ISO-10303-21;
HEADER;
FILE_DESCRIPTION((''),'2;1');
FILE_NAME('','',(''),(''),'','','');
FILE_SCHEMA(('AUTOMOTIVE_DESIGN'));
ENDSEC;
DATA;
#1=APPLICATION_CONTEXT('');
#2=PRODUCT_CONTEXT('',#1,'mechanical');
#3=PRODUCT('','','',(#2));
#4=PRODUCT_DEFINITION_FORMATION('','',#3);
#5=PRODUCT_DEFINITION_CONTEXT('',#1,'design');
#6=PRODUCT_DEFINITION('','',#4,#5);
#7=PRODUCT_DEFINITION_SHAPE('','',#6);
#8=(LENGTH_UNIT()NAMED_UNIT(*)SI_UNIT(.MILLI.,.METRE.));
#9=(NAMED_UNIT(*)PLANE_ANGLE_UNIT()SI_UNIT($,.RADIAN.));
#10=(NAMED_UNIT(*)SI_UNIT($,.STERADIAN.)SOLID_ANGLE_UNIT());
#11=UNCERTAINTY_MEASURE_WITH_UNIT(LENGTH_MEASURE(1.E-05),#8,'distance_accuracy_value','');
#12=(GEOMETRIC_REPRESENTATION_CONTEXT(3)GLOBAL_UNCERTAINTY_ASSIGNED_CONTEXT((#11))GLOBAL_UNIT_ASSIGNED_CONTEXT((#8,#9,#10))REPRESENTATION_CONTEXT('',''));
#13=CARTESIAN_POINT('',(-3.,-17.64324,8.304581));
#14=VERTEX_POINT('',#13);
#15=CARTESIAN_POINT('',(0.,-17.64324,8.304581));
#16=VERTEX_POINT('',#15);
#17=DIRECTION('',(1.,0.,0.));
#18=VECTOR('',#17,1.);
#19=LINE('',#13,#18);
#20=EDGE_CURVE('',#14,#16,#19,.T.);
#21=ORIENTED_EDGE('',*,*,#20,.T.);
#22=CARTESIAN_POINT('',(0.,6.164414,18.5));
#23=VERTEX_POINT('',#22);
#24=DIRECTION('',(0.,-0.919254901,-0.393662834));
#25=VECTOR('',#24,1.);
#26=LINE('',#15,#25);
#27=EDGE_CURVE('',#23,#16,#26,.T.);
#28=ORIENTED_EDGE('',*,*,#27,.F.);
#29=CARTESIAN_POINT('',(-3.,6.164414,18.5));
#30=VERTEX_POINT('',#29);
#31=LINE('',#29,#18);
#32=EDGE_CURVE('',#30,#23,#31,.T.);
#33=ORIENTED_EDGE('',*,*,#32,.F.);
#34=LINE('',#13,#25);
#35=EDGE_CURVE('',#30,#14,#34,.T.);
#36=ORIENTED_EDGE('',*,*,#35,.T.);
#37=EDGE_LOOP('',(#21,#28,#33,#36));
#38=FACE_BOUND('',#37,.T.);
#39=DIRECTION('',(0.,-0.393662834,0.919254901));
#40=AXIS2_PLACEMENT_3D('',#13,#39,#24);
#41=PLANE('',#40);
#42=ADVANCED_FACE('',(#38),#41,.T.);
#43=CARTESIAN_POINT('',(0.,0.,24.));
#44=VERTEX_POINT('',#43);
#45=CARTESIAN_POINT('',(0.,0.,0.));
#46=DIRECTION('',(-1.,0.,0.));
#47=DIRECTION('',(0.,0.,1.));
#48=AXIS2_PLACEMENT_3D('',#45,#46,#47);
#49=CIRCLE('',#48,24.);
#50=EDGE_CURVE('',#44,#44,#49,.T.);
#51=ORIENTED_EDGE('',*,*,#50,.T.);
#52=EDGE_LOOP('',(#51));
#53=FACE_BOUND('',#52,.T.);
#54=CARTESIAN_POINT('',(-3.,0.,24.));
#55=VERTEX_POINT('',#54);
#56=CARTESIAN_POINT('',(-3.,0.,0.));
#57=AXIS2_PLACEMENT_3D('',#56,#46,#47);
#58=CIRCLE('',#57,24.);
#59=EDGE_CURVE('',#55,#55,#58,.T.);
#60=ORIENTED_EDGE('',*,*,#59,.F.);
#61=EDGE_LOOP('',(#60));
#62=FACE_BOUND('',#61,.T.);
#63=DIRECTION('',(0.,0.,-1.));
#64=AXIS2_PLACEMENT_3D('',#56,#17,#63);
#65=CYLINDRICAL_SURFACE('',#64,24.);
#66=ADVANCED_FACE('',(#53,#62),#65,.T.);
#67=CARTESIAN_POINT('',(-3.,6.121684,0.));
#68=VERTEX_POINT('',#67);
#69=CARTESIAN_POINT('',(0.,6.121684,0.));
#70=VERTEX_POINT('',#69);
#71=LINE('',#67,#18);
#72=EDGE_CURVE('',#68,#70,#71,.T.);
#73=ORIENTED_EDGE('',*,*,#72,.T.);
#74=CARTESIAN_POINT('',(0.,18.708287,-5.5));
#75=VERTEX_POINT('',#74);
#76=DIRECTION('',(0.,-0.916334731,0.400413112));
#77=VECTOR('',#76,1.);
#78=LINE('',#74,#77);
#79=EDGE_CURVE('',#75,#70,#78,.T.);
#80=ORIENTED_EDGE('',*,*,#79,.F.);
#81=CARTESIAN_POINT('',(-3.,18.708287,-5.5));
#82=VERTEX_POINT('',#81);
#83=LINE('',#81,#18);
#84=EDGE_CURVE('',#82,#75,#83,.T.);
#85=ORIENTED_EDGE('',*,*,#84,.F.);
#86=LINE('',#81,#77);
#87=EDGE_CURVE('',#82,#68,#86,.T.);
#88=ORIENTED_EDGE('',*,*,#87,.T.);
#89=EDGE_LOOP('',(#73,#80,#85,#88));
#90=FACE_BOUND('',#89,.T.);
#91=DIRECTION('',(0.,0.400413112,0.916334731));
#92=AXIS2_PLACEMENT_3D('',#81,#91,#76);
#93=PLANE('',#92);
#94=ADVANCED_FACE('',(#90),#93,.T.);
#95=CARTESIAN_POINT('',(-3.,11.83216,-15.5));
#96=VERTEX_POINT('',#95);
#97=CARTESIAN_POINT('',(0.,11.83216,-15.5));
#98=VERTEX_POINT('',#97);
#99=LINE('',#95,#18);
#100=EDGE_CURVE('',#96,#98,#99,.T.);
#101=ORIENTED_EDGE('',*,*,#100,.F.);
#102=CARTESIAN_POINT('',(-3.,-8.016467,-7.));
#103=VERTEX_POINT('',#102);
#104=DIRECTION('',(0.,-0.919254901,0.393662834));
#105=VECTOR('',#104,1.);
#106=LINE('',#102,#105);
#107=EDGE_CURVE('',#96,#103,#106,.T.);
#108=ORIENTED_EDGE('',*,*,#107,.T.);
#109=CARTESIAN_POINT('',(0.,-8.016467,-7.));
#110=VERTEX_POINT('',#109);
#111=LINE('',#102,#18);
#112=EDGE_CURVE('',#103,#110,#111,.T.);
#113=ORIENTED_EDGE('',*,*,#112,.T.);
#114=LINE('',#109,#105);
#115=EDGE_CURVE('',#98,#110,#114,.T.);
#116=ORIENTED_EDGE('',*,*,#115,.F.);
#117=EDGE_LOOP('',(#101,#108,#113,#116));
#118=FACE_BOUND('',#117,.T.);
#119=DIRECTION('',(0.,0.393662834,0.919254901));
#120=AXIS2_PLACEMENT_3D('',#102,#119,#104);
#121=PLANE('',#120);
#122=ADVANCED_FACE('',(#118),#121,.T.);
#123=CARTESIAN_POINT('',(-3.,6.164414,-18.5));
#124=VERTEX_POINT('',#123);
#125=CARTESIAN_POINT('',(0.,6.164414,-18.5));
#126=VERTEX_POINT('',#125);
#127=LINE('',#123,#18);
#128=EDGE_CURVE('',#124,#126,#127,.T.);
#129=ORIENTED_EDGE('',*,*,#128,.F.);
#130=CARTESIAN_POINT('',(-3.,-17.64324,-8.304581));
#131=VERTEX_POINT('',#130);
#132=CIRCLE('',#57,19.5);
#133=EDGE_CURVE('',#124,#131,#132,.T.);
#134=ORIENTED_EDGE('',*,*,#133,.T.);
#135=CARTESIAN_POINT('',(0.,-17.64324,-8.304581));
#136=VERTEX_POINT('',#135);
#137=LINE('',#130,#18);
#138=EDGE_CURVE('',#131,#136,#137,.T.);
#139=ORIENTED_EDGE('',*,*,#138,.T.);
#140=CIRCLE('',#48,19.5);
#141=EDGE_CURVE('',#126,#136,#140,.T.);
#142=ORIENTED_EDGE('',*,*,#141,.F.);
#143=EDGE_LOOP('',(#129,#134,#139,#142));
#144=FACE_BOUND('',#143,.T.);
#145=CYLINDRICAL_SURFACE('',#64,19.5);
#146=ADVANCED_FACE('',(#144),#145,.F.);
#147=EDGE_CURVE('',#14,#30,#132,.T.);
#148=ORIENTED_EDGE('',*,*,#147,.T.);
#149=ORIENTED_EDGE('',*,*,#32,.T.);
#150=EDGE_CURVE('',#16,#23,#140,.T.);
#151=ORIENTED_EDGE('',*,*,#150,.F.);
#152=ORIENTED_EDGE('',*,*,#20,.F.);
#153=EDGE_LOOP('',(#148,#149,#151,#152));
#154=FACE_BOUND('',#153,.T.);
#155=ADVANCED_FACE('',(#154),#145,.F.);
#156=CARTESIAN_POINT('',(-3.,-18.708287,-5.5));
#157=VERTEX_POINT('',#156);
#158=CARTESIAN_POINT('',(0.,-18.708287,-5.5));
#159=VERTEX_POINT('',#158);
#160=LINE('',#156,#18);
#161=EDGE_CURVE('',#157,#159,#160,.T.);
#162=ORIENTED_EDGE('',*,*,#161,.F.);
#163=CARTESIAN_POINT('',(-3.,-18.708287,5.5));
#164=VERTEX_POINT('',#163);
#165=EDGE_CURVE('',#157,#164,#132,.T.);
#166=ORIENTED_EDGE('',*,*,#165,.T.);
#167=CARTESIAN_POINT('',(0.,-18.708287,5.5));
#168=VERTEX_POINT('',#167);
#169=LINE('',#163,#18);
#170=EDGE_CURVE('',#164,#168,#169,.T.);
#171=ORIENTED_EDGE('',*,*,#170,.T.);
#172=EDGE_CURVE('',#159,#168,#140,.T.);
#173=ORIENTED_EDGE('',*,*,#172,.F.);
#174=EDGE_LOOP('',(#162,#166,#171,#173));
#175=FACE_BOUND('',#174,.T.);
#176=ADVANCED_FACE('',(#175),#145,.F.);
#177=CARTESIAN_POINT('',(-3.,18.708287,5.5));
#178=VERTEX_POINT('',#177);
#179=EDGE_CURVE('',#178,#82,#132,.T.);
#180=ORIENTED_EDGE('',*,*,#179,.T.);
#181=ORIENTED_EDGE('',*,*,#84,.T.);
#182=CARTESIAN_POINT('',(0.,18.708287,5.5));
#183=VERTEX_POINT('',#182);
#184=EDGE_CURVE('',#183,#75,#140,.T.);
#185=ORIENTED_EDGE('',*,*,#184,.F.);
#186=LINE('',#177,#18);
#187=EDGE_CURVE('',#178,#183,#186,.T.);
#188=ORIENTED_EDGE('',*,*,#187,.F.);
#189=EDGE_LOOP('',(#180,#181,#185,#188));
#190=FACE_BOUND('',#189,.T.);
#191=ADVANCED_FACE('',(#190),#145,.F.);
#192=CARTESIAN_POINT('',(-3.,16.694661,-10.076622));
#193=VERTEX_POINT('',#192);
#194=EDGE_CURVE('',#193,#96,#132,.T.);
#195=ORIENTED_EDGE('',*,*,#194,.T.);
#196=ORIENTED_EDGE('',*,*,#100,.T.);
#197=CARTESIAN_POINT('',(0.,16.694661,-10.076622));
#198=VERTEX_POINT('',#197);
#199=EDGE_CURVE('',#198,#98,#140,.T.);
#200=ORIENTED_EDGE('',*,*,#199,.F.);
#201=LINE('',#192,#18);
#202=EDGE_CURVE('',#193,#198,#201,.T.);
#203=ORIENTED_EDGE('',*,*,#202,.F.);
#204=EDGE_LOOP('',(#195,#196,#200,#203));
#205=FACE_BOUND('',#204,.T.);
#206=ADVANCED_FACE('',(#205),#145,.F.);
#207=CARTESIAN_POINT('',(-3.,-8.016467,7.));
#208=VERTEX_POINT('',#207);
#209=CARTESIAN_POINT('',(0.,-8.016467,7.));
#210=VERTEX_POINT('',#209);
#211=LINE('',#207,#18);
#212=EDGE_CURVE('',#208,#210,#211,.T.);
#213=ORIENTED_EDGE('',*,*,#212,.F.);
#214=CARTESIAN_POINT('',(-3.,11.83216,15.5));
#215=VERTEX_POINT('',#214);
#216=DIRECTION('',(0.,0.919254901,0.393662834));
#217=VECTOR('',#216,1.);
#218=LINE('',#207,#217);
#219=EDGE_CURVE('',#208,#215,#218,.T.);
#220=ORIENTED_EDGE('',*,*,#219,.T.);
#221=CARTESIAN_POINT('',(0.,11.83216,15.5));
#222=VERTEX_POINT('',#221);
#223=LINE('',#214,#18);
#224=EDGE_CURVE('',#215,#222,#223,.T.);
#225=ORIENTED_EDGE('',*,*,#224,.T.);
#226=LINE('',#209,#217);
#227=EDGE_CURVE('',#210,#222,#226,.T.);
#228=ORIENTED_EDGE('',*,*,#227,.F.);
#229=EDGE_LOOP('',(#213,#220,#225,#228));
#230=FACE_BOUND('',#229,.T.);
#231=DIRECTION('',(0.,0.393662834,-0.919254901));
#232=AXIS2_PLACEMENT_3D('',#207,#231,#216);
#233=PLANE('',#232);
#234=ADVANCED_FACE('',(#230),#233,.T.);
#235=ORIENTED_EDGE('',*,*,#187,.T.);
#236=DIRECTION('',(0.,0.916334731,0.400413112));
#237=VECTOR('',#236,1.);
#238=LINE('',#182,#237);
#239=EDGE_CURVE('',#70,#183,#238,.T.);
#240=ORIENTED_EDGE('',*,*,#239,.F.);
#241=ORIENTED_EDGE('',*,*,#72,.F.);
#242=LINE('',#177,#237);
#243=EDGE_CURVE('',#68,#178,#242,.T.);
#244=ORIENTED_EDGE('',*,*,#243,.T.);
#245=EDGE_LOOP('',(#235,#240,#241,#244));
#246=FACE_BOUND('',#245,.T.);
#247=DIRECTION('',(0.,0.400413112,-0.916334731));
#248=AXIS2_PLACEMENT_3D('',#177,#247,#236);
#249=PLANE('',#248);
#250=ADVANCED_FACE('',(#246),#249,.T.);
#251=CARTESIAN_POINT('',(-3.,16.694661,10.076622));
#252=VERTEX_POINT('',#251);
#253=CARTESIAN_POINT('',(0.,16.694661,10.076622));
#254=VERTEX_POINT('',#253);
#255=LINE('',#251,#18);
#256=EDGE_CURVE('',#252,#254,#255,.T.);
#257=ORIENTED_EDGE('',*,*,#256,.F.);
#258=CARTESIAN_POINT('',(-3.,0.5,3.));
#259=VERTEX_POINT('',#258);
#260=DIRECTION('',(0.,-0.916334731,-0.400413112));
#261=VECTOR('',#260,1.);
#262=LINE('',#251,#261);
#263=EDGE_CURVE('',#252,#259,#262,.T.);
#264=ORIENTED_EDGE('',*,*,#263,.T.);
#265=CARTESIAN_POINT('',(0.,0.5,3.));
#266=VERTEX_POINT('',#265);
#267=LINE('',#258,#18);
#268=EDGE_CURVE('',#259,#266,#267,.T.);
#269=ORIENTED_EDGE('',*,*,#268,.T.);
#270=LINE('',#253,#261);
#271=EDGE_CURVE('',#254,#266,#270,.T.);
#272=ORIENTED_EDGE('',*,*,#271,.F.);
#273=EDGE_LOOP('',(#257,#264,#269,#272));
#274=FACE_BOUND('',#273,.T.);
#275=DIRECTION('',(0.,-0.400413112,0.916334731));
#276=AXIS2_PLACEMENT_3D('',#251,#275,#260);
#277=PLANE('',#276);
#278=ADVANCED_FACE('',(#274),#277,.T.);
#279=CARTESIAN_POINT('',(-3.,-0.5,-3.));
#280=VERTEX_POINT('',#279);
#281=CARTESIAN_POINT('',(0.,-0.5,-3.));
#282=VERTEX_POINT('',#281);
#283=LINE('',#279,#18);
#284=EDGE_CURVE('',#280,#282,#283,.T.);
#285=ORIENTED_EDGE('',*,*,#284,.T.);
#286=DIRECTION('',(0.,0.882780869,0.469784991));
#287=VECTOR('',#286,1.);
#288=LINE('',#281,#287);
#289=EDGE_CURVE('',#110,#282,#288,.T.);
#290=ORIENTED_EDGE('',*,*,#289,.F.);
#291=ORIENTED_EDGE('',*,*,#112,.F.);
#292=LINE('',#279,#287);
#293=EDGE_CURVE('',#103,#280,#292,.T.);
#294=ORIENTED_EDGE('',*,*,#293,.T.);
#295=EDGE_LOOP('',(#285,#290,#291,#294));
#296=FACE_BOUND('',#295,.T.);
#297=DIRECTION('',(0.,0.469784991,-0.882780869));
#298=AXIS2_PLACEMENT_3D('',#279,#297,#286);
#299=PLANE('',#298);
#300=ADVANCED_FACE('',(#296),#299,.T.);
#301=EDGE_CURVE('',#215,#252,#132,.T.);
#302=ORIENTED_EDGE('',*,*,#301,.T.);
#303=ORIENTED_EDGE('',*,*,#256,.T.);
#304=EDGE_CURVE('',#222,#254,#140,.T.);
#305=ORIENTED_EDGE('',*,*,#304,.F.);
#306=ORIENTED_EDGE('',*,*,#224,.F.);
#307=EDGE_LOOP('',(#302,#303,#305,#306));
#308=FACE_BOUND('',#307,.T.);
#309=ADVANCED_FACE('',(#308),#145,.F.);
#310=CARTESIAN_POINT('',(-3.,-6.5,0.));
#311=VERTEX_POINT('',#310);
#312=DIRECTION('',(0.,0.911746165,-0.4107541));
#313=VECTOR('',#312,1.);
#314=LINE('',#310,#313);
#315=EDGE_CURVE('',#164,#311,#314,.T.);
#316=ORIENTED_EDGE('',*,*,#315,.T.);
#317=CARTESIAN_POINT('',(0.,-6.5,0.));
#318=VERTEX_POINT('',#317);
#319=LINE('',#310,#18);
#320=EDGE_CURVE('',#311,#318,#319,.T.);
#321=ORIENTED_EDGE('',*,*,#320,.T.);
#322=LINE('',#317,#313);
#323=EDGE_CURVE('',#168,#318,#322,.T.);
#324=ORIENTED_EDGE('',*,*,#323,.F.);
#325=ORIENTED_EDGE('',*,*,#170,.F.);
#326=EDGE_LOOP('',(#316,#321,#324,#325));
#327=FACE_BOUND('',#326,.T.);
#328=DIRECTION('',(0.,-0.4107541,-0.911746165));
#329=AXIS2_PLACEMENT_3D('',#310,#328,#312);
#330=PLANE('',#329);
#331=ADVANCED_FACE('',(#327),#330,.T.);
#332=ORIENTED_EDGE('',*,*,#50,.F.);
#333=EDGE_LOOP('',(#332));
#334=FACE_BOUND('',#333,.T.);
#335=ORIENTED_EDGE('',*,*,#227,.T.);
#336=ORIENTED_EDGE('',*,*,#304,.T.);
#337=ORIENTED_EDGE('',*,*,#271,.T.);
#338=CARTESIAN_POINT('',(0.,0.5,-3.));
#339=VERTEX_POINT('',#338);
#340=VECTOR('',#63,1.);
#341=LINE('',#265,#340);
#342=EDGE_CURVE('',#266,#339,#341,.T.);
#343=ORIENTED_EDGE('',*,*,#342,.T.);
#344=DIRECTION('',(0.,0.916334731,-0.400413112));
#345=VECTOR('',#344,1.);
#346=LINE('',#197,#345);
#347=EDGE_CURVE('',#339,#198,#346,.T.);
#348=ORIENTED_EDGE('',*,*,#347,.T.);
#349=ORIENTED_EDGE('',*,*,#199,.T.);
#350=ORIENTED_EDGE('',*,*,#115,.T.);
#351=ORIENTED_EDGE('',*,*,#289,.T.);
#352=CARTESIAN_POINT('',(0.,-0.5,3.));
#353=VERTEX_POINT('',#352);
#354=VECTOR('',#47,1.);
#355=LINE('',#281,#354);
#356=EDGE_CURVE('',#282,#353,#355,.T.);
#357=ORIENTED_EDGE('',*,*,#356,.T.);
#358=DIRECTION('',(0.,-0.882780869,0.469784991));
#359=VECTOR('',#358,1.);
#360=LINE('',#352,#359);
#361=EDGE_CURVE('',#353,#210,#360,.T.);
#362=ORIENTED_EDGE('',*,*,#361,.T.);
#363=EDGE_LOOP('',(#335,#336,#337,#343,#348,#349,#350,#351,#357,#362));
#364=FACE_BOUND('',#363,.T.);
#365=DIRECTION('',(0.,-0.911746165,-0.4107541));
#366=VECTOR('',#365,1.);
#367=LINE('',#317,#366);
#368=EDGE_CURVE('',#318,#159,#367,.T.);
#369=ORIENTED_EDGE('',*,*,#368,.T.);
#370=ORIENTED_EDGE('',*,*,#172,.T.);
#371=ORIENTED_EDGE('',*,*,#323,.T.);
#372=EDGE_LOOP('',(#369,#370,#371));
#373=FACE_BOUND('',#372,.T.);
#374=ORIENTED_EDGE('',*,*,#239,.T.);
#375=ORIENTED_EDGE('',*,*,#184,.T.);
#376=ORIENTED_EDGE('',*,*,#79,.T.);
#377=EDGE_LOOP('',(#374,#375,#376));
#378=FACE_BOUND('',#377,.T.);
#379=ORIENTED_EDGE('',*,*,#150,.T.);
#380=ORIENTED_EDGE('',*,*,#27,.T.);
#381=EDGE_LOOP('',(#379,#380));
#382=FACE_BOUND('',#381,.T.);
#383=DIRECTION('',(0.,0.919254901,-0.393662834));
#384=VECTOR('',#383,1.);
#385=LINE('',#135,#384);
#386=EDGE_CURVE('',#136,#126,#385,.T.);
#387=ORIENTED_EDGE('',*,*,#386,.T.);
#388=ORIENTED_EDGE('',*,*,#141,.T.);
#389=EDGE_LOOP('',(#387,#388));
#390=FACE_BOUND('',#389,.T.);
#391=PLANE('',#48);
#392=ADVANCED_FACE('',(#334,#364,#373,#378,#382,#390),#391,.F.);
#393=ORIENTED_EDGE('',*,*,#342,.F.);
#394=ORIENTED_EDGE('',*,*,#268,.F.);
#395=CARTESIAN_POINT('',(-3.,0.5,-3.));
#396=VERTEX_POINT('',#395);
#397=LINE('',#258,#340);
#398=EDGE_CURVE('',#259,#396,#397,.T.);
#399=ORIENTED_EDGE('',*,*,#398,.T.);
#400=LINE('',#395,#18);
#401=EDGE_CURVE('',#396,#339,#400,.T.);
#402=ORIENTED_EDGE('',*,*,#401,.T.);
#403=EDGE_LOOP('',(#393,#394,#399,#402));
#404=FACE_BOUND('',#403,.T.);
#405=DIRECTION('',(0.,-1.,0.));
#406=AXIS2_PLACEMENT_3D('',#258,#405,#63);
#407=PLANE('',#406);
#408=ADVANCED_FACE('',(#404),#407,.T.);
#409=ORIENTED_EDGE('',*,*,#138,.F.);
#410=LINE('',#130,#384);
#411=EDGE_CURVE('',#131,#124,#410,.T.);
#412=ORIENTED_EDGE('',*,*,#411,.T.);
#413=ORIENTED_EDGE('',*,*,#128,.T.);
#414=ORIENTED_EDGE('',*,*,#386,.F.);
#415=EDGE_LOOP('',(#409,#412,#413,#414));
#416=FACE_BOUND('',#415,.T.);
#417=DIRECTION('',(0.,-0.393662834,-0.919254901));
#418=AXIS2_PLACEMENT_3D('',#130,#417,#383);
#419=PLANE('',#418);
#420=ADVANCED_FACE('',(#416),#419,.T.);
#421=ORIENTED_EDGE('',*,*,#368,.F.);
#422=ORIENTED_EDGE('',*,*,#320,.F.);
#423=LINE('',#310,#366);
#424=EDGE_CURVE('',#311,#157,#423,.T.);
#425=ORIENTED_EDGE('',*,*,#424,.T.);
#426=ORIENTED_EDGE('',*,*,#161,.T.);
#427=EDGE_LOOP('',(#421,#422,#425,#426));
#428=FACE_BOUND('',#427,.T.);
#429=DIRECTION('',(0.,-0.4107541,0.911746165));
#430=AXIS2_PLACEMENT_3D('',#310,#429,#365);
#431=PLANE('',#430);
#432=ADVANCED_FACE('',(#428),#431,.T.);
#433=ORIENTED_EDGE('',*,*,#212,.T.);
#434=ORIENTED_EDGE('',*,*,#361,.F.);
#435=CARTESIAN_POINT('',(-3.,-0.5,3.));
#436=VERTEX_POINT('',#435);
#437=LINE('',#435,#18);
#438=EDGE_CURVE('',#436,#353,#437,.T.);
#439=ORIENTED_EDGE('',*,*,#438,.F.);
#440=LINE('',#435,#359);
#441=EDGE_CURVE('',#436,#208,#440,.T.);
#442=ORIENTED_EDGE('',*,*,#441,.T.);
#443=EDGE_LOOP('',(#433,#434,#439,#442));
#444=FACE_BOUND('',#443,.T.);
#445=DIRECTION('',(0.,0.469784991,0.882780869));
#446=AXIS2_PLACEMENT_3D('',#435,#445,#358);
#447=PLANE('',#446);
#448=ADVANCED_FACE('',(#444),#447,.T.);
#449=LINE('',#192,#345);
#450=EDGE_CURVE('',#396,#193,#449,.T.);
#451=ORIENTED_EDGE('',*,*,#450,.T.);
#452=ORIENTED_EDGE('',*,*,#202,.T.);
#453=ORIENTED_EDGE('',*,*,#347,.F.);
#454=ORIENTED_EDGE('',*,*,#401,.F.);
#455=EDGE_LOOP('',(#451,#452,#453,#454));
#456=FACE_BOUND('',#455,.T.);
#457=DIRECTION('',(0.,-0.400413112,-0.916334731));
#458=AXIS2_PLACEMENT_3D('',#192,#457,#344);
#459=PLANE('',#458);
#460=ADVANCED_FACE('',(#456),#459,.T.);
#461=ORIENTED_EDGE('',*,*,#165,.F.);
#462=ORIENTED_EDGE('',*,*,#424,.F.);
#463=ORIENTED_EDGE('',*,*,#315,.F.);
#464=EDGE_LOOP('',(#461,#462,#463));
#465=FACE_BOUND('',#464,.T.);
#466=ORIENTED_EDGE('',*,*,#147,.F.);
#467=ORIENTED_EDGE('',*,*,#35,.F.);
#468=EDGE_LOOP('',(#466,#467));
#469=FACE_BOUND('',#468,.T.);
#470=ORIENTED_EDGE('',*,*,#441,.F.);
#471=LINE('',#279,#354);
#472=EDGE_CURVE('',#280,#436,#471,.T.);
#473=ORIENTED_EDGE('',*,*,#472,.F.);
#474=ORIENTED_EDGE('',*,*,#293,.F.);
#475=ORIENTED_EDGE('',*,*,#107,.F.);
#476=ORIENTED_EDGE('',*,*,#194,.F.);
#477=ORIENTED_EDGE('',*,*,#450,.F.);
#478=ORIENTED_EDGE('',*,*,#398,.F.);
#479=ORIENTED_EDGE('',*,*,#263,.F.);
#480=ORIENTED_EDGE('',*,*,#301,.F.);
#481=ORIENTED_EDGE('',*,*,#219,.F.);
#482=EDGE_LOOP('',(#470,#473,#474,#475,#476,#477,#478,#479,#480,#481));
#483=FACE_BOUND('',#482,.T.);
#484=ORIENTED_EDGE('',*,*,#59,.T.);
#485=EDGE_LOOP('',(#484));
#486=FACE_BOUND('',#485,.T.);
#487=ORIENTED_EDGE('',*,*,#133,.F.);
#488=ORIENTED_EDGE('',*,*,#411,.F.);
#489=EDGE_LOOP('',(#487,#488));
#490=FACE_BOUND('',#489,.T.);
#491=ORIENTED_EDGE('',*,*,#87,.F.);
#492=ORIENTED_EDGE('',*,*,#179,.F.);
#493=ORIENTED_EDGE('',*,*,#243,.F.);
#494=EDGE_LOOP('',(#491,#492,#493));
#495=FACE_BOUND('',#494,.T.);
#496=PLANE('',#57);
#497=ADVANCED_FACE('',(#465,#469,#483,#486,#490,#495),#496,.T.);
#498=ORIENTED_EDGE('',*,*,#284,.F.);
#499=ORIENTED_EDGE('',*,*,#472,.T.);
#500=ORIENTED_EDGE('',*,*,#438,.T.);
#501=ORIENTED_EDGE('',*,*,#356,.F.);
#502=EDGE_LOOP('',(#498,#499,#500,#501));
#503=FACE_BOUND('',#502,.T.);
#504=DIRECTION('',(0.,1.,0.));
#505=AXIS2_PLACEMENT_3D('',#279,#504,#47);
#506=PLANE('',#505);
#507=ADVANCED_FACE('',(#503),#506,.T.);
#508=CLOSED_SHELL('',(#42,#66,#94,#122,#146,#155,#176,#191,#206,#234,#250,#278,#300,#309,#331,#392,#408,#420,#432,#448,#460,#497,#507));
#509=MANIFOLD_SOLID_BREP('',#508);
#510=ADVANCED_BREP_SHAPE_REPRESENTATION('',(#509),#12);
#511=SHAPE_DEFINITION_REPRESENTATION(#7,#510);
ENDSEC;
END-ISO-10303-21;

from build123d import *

# Parameters (mm, degrees)
SKETCH_5_R      = 24
EXTRUDE_1_DEPTH = 3


with BuildPart() as part:
    # Эскиз5 → Бобышка-Вытянуть1 (new body)
    with BuildSketch(Plane.ZY):
        Circle(SKETCH_5_R)
        with BuildLine():
            Line((5.5, 18.708286934), (0, 6.121683557))
            Line((0, 6.121683557), (-5.5, 18.708286934))
            ThreePointArc((-5.5, 18.708286934), (0, 19.5), (5.5, 18.708286934))
        make_face(mode=Mode.SUBTRACT)
        with BuildLine():
            Line((10.076621897, 16.694660558), (3, 0.5))
            Line((3, 0.5), (-3, 0.5))
            Line((-3, 0.5), (-10.076621897, 16.694660558))
            ThreePointArc((-10.076621897, 16.694660558), (-13.01736824, 14.518888529), (-15.5, 11.832159566))
            Line((-15.5, 11.832159566), (-7, -8.016467208))
            Line((-7, -8.016467208), (-3, -0.5))
            Line((-3, -0.5), (3, -0.5))
            Line((3, -0.5), (7, -8.016467208))
            Line((7, -8.016467208), (15.5, 11.832159566))
            ThreePointArc((15.5, 11.832159566), (13.01736824, 14.518888529), (10.076621897, 16.694660558))
        make_face(mode=Mode.SUBTRACT)
        with BuildLine():
            Line((0, -6.5), (5.5, -18.708286934))
            ThreePointArc((5.5, -18.708286934), (0, -19.5), (-5.5, -18.708286934))
            Line((-5.5, -18.708286934), (0, -6.5))
        make_face(mode=Mode.SUBTRACT)
        with BuildLine():
            Line((8.30458122, -17.64324037), (18.5, 6.164414003))
            ThreePointArc((18.5, 6.164414003), (17.925470573, -7.676425257), (8.30458122, -17.64324037))
        make_face(mode=Mode.SUBTRACT)
        with BuildLine():
            Line((-8.30458122, -17.64324037), (-18.5, 6.164414003))
            ThreePointArc((-18.5, 6.164414003), (-17.925470573, -7.676425257), (-8.30458122, -17.64324037))
        make_face(mode=Mode.SUBTRACT)
    extrude(amount=EXTRUDE_1_DEPTH)


solid = part.part
